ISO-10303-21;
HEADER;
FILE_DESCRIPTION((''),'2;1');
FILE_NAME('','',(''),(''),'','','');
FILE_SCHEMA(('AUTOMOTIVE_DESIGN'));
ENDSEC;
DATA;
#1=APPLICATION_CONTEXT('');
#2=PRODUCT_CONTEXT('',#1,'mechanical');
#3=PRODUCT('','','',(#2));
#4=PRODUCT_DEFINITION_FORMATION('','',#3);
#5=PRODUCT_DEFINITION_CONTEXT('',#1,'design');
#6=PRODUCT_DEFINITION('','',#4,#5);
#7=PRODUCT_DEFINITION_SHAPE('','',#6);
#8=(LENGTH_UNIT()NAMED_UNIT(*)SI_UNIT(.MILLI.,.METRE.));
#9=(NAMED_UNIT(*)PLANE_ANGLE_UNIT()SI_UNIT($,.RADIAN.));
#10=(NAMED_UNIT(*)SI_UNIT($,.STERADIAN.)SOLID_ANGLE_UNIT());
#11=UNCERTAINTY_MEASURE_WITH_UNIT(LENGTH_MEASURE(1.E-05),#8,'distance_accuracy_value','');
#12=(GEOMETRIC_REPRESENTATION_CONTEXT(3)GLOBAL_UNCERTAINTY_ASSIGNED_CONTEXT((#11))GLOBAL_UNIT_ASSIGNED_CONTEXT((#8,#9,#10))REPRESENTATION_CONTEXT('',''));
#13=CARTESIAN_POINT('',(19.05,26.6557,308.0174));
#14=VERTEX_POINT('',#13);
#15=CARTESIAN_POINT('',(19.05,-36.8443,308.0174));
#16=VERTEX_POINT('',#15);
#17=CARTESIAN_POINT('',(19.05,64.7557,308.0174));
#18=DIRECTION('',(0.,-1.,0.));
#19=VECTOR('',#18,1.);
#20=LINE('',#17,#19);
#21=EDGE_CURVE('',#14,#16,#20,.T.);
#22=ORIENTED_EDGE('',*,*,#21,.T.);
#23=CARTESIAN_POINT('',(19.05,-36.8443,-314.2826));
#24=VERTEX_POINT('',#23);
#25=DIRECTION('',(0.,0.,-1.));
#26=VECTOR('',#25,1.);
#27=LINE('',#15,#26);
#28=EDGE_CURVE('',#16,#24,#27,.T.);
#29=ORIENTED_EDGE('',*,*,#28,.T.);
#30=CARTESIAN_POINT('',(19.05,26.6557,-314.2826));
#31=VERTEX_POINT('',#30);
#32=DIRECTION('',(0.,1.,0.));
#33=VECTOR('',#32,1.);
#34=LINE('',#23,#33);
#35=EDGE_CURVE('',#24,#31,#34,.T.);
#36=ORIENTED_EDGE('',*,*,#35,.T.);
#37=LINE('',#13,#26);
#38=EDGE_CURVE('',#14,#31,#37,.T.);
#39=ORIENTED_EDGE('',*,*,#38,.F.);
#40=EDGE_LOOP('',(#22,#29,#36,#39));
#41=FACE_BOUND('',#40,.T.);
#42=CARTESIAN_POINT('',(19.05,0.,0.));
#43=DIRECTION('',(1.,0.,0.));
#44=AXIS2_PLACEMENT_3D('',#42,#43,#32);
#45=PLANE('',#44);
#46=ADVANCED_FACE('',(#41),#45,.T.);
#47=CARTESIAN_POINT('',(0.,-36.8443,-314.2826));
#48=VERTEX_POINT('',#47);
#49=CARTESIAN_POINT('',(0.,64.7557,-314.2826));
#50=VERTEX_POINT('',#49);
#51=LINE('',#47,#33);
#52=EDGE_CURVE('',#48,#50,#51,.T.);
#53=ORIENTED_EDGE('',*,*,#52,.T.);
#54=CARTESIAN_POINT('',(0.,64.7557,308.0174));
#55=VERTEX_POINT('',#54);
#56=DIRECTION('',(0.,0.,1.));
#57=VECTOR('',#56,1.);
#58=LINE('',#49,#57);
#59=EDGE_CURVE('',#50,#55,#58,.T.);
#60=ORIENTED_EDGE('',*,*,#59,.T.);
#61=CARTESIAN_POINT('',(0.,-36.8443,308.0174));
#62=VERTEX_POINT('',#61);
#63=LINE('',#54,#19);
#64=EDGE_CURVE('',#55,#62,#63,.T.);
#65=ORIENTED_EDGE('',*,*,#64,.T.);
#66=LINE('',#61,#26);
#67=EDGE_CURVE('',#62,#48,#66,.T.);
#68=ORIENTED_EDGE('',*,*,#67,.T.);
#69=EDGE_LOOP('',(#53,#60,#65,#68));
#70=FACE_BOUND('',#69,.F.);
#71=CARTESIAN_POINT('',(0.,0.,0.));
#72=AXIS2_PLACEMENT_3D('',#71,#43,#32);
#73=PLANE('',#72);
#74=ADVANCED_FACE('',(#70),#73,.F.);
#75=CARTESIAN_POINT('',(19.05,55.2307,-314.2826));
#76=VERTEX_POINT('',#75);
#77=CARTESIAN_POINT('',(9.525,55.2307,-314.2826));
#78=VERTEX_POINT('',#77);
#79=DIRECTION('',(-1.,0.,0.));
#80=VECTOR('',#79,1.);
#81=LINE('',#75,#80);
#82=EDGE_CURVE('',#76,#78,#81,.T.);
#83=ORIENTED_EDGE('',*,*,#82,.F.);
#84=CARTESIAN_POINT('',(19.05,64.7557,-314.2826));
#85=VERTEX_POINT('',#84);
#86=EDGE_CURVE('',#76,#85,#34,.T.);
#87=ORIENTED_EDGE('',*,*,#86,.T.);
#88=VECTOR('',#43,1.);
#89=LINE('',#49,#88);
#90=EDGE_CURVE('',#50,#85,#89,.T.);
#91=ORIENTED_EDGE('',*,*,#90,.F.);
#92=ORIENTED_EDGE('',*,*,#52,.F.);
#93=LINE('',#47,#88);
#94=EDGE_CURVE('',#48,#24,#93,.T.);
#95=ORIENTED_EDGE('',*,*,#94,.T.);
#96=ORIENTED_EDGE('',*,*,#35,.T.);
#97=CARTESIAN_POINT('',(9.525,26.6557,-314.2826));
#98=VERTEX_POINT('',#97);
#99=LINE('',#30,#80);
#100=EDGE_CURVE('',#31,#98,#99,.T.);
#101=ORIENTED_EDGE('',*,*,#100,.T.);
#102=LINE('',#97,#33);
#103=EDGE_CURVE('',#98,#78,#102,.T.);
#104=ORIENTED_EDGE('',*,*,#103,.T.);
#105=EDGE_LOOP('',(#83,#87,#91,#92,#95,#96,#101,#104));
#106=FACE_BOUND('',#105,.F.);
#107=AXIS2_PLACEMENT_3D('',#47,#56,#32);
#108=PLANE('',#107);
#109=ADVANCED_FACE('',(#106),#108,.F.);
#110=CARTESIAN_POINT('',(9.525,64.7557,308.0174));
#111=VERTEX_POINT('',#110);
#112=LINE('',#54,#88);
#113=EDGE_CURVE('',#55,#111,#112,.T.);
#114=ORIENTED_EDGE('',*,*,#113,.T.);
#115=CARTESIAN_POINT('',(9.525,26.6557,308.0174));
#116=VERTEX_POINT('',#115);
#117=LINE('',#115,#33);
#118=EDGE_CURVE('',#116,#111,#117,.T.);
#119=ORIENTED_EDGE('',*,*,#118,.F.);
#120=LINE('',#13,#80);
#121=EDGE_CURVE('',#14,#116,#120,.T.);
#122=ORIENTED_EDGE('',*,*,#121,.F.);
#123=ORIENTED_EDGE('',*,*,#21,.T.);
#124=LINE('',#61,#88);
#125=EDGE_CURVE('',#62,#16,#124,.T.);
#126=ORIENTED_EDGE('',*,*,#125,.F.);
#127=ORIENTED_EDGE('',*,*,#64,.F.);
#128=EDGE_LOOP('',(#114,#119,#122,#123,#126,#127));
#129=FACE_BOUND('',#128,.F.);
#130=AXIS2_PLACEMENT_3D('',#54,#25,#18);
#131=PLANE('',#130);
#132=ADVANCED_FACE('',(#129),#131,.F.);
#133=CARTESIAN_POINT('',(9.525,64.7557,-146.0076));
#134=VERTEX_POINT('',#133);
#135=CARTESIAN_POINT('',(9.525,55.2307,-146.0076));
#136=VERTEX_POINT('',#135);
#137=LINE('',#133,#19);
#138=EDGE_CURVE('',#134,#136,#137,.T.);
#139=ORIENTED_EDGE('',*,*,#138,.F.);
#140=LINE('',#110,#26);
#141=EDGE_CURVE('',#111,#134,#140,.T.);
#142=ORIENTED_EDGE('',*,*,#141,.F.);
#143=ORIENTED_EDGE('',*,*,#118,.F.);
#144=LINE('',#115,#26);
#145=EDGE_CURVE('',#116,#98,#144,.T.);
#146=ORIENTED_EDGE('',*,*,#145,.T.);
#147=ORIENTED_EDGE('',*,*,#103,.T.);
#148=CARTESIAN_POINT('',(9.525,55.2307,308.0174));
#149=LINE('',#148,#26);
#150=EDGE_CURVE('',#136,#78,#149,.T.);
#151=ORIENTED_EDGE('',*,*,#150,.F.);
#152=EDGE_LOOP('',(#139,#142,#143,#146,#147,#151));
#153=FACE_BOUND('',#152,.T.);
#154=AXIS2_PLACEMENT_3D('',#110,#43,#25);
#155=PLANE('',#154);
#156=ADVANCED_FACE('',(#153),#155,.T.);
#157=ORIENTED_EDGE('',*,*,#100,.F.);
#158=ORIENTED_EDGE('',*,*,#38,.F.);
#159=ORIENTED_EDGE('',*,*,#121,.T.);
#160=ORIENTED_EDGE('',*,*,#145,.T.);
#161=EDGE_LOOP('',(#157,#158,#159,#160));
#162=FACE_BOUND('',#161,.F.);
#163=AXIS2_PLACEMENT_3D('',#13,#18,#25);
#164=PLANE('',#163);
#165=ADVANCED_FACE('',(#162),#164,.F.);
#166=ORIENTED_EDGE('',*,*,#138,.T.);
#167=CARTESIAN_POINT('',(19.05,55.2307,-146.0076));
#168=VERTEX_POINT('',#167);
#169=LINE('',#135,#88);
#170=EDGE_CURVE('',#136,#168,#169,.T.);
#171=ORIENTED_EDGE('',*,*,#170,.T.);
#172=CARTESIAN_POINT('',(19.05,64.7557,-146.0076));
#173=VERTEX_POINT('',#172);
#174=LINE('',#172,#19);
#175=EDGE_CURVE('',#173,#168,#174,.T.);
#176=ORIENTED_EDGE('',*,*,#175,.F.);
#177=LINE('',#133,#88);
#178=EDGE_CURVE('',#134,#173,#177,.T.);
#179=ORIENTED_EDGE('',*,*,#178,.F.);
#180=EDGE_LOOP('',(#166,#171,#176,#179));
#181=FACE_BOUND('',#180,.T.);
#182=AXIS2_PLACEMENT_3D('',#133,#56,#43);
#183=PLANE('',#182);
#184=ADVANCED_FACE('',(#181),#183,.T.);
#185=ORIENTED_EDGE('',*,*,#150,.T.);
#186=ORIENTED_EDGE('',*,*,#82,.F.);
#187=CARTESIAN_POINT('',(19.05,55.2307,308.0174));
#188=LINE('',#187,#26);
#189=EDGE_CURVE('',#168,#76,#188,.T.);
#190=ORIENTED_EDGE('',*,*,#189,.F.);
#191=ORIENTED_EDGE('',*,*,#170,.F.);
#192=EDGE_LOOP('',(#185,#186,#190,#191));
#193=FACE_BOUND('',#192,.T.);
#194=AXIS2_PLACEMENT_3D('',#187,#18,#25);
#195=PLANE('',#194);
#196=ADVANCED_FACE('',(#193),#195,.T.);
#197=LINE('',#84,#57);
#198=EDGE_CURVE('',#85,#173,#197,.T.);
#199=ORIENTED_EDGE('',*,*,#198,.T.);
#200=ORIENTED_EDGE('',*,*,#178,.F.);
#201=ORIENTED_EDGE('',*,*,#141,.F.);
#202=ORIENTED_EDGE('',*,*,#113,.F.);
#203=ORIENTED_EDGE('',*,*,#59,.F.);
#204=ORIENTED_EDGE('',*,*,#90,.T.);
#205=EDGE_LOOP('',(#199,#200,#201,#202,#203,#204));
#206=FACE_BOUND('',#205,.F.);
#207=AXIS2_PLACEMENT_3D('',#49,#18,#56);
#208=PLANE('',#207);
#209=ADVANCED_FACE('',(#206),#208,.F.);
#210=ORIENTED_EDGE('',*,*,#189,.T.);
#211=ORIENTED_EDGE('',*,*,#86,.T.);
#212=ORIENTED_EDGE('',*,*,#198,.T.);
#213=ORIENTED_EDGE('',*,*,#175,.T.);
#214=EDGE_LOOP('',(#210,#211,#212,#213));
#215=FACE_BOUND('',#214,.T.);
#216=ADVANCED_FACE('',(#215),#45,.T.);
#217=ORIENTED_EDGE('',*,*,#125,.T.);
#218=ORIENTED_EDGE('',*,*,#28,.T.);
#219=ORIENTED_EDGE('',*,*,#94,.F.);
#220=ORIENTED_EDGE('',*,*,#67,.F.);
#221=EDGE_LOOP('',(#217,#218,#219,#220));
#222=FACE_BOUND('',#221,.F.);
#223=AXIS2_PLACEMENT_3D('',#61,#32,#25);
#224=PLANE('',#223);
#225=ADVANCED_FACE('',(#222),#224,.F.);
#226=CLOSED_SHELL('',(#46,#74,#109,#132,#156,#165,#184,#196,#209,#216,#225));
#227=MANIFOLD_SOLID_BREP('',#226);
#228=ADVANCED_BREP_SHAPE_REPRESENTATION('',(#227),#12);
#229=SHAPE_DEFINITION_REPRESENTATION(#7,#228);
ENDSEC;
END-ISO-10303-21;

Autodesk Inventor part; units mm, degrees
ref_plane "YZ Plane" through (0, 0, 0) normal (1, 0, 0) x (0, 1, 0)
ref_plane "XZ Plane" through (0, 0, 0) normal (0, 1, 0) x (-1, 0, 0)
ref_plane "XY Plane" through (0, 0, 0) normal (0, 0, 1) x (1, 0, 0)
sketch "Sketch1" plane through (0, 0, 0) normal (1, 0, 0) x (0, 1, 0)
  line L0 (64.7557, 308.0174) -> (-36.8443, 308.0174)
  line L1 (-36.8443, 308.0174) -> (-36.8443, -314.2826)
  line L2 (-36.8443, -314.2826) -> (64.7557, -314.2826)
  line L3 (64.7557, -314.2826) -> (64.7557, 308.0174)
  dimension "d2" = 622.3
  dimension "d3" = 101.6
extrude "Board" add sketch "Sketch1" along normal blind 19.05
sketch "Sketch8" plane through (19.05, 0, 0) normal (1, 0, 0) x (0, 0, -1)
  line L0 (-308.0174, 55.2307) -> (314.2826, 55.2307)
  line L1 (314.2826, 55.2307) -> (314.2826, 45.7057)
  line L2 (314.2826, 45.7057) -> (-308.0174, 45.7057)
  line L3 (-308.0174, 45.7057) -> (-308.0174, 55.2307)
  line L4 (-308.0174, 64.7557) -> (-308.0174, -36.8443) projected
  line L5 (314.2826, -36.8443) -> (314.2826, 64.7557) projected
  line L6 (314.2826, 64.7557) -> (-308.0174, 64.7557) projected
  point P0 (0, 0)
  dimension "d22" = 9.525
  dimension "d23" = 9.525
extrude "Lenghtwise Dado for Base" cut sketch "Sketch8" against normal blind 9.525 contours L0 L1 L2 L3
sketch "Sketch 9" plane through (0, 64.7557, 308.0174) normal (0, 1, 0) x (1, 0, 0)
  line L0 (19.05, 0) -> (9.525, 0)
  line L1 (9.525, 0) -> (9.525, 454.025)
  line L2 (9.525, 454.025) -> (19.05, 454.025)
  line L3 (19.05, 454.025) -> (19.05, 0)
  line L4 (19.05, 622.3) -> (19.05, 0) projected
  line L5 (0, 622.3) -> (19.05, 622.3) projected
  line L6 (0, 0) -> (19.05, 0) projected
  point P0 (0, 308.0174)
  dimension "d26" = 454.025
  dimension "d27" = 9.525
extrude "Lengthwise stop dado for Sides" cut sketch "Sketch 9" against normal blind 9.525
sketch "Sketch12" plane through (19.05, 0, 0) normal (1, 0, 0) x (0, 0, -1)
  line L0 (-308.0174, 26.6557) -> (314.2826, 26.6557)
  line L1 (314.2826, 26.6557) -> (314.2826, 45.7057)
  line L2 (314.2826, 45.7057) -> (-308.0174, 45.7057)
  line L3 (-308.0174, 45.7057) -> (-308.0174, 26.6557)
  line L4 (314.2826, 45.7057) -> (-308.0174, 45.7057) projected
  line L5 (-308.0174, 45.7057) -> (-308.0174, -36.8443) projected
  line L6 (314.2826, -36.8443) -> (314.2826, 45.7057) projected
  point P0 (0, 0)
  dimension "d30" = 19.05
extrude "Lenghtwise full dado for base" cut sketch "Sketch12" against normal blind 9.525
properties part number "Base Runner Side Right"
